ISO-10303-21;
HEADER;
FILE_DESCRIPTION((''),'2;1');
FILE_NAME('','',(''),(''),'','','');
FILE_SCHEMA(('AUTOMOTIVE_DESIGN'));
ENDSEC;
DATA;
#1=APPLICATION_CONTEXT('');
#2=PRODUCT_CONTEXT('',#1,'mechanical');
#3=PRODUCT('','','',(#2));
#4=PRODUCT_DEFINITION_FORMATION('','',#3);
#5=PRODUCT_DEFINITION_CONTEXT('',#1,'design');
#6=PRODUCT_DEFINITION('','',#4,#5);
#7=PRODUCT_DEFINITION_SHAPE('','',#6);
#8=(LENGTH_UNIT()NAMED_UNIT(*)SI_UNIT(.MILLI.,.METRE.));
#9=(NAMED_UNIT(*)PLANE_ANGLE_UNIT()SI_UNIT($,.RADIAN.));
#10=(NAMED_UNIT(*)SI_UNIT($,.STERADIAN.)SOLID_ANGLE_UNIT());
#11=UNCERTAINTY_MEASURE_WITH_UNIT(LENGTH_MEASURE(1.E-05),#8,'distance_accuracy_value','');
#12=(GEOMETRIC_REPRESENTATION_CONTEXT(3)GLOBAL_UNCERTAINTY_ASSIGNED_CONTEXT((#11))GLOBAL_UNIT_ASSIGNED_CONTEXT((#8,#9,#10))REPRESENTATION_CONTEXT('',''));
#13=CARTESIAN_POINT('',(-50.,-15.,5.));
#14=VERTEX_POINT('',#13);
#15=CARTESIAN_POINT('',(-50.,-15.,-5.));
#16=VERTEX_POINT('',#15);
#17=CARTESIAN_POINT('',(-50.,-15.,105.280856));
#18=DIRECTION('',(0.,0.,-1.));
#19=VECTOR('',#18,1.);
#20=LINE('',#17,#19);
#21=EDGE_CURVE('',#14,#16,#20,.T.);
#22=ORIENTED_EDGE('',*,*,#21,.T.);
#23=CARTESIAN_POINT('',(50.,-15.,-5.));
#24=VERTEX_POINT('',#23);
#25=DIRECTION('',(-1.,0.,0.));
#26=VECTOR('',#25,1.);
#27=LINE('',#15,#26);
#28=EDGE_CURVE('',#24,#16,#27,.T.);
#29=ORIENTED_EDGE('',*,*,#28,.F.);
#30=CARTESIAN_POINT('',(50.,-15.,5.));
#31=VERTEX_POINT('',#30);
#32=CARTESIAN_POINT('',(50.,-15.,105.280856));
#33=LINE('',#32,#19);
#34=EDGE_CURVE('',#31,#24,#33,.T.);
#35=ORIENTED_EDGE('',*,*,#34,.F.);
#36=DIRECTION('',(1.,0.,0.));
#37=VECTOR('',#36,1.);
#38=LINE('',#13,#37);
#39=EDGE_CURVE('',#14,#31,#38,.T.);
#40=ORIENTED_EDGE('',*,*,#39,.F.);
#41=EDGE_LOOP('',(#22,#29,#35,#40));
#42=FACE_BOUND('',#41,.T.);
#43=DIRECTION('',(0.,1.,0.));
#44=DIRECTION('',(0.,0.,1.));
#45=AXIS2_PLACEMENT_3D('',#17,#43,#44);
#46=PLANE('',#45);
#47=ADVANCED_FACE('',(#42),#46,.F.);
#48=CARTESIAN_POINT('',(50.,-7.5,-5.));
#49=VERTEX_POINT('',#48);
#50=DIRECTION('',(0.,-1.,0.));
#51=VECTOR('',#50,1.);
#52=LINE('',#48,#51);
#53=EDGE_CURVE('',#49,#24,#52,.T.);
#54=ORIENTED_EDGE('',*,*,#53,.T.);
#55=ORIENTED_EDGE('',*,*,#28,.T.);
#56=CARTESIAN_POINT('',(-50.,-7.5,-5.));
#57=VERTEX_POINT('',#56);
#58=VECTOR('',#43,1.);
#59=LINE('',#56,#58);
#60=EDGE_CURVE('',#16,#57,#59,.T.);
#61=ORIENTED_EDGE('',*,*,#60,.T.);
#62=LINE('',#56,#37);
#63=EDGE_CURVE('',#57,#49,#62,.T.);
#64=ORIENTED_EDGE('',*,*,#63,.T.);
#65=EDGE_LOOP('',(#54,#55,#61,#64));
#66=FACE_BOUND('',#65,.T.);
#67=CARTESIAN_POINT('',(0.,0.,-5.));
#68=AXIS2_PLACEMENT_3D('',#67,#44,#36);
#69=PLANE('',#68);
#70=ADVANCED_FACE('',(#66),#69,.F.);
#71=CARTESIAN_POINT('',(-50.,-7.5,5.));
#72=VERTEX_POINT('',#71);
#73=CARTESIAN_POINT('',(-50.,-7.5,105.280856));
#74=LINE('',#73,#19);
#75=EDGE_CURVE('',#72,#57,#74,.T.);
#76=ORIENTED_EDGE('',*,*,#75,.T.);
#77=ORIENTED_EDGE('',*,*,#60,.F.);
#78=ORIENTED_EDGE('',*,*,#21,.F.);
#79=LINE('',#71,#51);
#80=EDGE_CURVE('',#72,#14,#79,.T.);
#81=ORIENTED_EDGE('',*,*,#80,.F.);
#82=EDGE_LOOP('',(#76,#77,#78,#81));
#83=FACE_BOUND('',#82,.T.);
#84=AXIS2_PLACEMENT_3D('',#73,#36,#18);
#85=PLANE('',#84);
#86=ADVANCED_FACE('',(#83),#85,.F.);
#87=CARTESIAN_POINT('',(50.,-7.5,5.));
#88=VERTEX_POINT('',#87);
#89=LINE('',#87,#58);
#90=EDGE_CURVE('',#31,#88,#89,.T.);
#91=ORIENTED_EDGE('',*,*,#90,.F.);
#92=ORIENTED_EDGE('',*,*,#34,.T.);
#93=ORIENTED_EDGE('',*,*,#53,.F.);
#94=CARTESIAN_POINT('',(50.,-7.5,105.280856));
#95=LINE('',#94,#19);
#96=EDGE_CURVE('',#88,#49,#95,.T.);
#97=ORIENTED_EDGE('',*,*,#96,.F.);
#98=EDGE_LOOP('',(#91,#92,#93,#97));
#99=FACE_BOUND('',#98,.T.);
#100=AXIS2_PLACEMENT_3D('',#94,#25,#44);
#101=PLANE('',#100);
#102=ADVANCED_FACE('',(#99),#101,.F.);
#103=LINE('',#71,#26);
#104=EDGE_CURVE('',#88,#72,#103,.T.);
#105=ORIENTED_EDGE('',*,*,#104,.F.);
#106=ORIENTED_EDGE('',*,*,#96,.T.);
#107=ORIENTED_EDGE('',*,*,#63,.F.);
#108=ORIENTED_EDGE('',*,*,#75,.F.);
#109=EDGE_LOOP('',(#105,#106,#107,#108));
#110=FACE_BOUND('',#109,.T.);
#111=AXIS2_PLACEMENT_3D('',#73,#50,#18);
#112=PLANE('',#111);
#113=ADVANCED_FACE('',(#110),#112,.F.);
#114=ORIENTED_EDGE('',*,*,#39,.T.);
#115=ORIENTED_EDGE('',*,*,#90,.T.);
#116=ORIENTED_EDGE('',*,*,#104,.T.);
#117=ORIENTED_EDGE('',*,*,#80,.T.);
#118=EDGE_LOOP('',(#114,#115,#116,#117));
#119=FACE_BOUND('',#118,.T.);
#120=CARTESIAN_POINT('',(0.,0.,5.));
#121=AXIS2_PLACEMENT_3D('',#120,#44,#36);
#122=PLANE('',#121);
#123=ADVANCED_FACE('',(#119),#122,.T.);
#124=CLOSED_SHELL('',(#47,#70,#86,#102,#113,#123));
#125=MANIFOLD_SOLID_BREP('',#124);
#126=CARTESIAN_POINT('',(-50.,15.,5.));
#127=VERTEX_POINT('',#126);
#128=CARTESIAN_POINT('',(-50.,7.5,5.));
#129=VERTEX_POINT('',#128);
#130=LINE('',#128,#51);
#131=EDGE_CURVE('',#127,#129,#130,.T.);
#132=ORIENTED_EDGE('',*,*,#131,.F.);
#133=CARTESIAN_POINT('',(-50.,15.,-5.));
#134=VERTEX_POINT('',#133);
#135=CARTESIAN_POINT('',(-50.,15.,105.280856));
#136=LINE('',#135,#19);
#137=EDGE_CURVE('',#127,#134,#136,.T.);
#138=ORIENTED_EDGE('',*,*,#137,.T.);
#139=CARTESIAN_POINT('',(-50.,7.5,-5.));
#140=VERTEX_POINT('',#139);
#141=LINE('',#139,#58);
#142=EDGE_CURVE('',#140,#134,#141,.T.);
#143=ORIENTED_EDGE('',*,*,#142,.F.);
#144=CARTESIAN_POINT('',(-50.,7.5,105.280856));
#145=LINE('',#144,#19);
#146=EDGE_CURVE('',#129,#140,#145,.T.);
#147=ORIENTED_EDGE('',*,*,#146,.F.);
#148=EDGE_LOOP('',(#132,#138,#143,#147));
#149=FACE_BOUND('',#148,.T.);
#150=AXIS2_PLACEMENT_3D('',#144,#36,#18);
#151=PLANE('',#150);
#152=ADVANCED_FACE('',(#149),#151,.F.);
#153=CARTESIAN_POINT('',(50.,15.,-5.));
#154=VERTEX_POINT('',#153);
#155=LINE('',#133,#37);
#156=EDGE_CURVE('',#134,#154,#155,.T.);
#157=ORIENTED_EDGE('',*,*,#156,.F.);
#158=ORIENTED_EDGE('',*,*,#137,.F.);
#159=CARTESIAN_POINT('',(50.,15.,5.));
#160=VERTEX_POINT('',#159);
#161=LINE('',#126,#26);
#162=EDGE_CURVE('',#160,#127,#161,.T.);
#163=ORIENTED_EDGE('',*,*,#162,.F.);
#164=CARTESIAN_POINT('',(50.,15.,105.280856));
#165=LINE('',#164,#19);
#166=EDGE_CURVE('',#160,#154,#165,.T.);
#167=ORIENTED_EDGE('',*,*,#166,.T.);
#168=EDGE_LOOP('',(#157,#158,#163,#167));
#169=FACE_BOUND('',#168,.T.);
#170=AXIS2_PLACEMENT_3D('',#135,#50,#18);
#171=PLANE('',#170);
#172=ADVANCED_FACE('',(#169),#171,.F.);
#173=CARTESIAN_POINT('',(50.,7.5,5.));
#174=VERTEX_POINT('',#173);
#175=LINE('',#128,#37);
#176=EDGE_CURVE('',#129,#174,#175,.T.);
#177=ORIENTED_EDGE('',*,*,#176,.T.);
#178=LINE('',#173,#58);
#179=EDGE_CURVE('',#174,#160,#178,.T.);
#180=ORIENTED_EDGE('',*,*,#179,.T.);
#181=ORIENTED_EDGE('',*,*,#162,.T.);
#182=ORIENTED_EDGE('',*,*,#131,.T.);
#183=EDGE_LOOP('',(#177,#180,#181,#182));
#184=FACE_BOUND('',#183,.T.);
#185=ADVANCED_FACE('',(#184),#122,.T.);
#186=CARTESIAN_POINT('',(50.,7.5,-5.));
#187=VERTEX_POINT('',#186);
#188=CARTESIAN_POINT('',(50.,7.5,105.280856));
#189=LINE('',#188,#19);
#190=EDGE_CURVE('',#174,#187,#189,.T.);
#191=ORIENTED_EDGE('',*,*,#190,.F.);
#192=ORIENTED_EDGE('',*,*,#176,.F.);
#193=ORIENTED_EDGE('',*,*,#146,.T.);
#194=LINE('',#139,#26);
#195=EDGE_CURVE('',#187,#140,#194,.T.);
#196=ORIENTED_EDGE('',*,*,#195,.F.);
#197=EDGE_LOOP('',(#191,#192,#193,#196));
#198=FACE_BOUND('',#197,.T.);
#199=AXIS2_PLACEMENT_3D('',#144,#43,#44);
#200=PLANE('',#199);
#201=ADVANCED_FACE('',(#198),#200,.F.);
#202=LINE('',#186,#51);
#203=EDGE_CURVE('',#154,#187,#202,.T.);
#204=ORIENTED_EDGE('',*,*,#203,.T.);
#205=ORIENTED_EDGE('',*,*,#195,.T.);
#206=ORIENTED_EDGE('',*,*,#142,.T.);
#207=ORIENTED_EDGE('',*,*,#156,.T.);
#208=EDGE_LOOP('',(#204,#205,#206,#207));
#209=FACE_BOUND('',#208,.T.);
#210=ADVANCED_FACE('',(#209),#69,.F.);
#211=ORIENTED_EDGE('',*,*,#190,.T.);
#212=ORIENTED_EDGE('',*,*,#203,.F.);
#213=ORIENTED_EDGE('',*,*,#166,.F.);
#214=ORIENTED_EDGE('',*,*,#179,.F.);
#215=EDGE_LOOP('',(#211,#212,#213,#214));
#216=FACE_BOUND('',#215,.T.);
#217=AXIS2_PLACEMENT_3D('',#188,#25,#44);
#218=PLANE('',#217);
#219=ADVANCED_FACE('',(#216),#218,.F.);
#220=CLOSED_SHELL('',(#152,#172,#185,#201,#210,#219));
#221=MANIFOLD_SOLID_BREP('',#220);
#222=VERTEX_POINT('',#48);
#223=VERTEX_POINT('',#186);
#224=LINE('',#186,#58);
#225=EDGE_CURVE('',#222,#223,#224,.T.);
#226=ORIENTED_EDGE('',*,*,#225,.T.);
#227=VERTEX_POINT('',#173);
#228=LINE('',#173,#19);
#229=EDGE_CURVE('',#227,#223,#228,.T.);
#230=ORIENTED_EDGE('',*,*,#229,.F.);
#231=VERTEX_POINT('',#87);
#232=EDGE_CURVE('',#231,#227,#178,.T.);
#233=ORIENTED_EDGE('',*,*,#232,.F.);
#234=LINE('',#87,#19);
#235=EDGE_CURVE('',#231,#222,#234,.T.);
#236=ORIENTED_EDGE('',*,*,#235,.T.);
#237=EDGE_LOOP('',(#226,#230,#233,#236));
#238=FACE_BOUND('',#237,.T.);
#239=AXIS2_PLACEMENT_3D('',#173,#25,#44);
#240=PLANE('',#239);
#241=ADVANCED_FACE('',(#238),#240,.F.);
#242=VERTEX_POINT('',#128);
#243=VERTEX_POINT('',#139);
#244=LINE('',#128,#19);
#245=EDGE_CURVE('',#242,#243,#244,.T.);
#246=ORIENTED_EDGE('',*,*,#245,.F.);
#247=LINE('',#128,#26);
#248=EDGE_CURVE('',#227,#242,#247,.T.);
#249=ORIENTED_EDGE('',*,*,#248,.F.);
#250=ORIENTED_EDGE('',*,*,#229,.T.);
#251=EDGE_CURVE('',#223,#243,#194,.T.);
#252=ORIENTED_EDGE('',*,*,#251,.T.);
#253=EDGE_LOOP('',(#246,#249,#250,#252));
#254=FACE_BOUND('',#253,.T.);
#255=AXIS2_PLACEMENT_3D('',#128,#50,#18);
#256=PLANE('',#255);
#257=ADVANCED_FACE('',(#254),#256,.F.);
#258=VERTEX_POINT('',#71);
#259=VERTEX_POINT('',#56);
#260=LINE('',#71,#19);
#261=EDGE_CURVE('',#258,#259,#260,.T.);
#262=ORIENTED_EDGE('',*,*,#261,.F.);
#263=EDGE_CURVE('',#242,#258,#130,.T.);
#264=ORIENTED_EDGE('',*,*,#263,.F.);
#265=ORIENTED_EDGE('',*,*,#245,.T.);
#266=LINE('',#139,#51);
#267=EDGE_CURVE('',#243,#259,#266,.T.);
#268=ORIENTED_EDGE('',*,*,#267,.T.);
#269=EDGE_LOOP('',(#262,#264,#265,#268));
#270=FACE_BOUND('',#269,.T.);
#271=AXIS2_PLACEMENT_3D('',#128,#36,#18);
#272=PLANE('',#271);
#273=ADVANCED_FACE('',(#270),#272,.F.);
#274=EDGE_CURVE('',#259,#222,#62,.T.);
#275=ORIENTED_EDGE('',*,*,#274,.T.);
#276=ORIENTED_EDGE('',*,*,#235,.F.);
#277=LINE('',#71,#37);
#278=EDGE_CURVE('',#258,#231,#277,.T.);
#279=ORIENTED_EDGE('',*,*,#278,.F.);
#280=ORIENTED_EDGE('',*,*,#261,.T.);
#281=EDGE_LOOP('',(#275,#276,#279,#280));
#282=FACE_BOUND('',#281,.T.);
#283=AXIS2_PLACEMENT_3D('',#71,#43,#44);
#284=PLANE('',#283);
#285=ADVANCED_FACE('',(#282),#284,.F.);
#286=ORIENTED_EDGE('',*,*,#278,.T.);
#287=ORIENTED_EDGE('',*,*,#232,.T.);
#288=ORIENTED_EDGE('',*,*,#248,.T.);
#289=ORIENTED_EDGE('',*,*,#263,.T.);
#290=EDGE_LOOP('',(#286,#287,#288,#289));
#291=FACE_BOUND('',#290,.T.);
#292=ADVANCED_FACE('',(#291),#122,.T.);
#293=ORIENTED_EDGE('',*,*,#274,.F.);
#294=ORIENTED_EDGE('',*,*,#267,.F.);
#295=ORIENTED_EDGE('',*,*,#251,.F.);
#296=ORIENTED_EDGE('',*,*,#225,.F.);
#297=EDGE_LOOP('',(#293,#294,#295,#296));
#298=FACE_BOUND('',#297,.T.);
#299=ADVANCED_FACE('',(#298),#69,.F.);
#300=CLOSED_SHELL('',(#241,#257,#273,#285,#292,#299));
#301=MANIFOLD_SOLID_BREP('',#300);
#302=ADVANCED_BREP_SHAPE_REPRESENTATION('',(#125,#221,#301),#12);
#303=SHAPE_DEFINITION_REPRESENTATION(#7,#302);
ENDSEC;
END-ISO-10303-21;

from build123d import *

# Parameters (mm, degrees)
SKIZZE1_W                                   = 100
SKIZZE1_H                                   = 15
AUFSATZ_LINEAR_AUSTRAGEN1_DEPTH             = 5
AUFSATZ_LINEAR_AUSTRAGEN2_REACH             = 7
SKIZZE2_W                                   = 100
SKIZZE2_H                                   = 7.5
AUFSATZ_LINEAR_AUSTRAGEN2_DIRECTION_2_REACH = 7


with BuildPart() as part:
    # Skizze1 → Aufsatz-Linear austragen1 (new body, symmetric)
    with BuildSketch(Plane.XY):
        Rectangle(SKIZZE1_W, SKIZZE1_H)
    extrude(amount=AUFSATZ_LINEAR_AUSTRAGEN1_DEPTH, both=True)


with BuildPart() as body_2:

    # Aufsatz-Linear austragen2: up to this face of the body (flat: up to its plane)
    aufsatz_linear_austragen2_end = Plane(part.part.faces().sort_by_distance((0, 0, 5))[0])
    # Skizze2 → Aufsatz-Linear austragen2 (new body, up to the picked face)
    with BuildSketch(Plane.XY, mode=Mode.PRIVATE) as aufsatz_linear_austragen2_sk1:
        with Locations((0, 11.25)):
            Rectangle(SKIZZE2_W, SKIZZE2_H)
    aufsatz_linear_austragen2_tool1 = split(extrude(aufsatz_linear_austragen2_sk1.sketch, amount=AUFSATZ_LINEAR_AUSTRAGEN2_REACH, mode=Mode.PRIVATE), bisect_by=aufsatz_linear_austragen2_end, keep=Keep.BOTH, mode=Mode.PRIVATE)
    add(aufsatz_linear_austragen2_tool1.solids().sort_by(Axis((0, 11.25, 0), (0, 0, 1)))[0])
    # Skizze2 → Aufsatz-Linear austragen2 (new body, up to the picked face)
    with BuildSketch(Plane.XY, mode=Mode.PRIVATE) as aufsatz_linear_austragen2_sk2:
        with Locations((0, -11.25)):
            Rectangle(SKIZZE2_W, SKIZZE2_H)
    aufsatz_linear_austragen2_tool2 = split(extrude(aufsatz_linear_austragen2_sk2.sketch, amount=AUFSATZ_LINEAR_AUSTRAGEN2_REACH, mode=Mode.PRIVATE), bisect_by=aufsatz_linear_austragen2_end, keep=Keep.BOTH, mode=Mode.PRIVATE)
    add(aufsatz_linear_austragen2_tool2.solids().sort_by(Axis((0, -11.25, 0), (0, 0, 1)))[0])


    # Aufsatz-Linear austragen2 direction 2: up to this face of the body (flat: up to its plane)
    aufsatz_linear_austragen2_direction_2_end = Plane(part.part.faces().sort_by_distance((0, 0, -5))[0])
    # Skizze2 → Aufsatz-Linear austragen2 direction 2 (add, up to the picked face)
    with BuildSketch(Plane.XY, mode=Mode.PRIVATE) as aufsatz_linear_austragen2_direction_2_sk1:
        with Locations((0, 11.25)):
            Rectangle(SKIZZE2_W, SKIZZE2_H)
    aufsatz_linear_austragen2_direction_2_tool1 = split(extrude(aufsatz_linear_austragen2_direction_2_sk1.sketch, amount=-AUFSATZ_LINEAR_AUSTRAGEN2_DIRECTION_2_REACH, mode=Mode.PRIVATE), bisect_by=aufsatz_linear_austragen2_direction_2_end, keep=Keep.BOTH, mode=Mode.PRIVATE)
    add(aufsatz_linear_austragen2_direction_2_tool1.solids().sort_by(Axis((0, 11.25, 0), (0, 0, -1)))[0])
    # Skizze2 → Aufsatz-Linear austragen2 direction 2 (add, up to the picked face)
    with BuildSketch(Plane.XY, mode=Mode.PRIVATE) as aufsatz_linear_austragen2_direction_2_sk2:
        with Locations((0, -11.25)):
            Rectangle(SKIZZE2_W, SKIZZE2_H)
    aufsatz_linear_austragen2_direction_2_tool2 = split(extrude(aufsatz_linear_austragen2_direction_2_sk2.sketch, amount=-AUFSATZ_LINEAR_AUSTRAGEN2_DIRECTION_2_REACH, mode=Mode.PRIVATE), bisect_by=aufsatz_linear_austragen2_direction_2_end, keep=Keep.BOTH, mode=Mode.PRIVATE)
    add(aufsatz_linear_austragen2_direction_2_tool2.solids().sort_by(Axis((0, -11.25, 0), (0, 0, -1)))[0])


solid = Compound([part.part, body_2.part])
